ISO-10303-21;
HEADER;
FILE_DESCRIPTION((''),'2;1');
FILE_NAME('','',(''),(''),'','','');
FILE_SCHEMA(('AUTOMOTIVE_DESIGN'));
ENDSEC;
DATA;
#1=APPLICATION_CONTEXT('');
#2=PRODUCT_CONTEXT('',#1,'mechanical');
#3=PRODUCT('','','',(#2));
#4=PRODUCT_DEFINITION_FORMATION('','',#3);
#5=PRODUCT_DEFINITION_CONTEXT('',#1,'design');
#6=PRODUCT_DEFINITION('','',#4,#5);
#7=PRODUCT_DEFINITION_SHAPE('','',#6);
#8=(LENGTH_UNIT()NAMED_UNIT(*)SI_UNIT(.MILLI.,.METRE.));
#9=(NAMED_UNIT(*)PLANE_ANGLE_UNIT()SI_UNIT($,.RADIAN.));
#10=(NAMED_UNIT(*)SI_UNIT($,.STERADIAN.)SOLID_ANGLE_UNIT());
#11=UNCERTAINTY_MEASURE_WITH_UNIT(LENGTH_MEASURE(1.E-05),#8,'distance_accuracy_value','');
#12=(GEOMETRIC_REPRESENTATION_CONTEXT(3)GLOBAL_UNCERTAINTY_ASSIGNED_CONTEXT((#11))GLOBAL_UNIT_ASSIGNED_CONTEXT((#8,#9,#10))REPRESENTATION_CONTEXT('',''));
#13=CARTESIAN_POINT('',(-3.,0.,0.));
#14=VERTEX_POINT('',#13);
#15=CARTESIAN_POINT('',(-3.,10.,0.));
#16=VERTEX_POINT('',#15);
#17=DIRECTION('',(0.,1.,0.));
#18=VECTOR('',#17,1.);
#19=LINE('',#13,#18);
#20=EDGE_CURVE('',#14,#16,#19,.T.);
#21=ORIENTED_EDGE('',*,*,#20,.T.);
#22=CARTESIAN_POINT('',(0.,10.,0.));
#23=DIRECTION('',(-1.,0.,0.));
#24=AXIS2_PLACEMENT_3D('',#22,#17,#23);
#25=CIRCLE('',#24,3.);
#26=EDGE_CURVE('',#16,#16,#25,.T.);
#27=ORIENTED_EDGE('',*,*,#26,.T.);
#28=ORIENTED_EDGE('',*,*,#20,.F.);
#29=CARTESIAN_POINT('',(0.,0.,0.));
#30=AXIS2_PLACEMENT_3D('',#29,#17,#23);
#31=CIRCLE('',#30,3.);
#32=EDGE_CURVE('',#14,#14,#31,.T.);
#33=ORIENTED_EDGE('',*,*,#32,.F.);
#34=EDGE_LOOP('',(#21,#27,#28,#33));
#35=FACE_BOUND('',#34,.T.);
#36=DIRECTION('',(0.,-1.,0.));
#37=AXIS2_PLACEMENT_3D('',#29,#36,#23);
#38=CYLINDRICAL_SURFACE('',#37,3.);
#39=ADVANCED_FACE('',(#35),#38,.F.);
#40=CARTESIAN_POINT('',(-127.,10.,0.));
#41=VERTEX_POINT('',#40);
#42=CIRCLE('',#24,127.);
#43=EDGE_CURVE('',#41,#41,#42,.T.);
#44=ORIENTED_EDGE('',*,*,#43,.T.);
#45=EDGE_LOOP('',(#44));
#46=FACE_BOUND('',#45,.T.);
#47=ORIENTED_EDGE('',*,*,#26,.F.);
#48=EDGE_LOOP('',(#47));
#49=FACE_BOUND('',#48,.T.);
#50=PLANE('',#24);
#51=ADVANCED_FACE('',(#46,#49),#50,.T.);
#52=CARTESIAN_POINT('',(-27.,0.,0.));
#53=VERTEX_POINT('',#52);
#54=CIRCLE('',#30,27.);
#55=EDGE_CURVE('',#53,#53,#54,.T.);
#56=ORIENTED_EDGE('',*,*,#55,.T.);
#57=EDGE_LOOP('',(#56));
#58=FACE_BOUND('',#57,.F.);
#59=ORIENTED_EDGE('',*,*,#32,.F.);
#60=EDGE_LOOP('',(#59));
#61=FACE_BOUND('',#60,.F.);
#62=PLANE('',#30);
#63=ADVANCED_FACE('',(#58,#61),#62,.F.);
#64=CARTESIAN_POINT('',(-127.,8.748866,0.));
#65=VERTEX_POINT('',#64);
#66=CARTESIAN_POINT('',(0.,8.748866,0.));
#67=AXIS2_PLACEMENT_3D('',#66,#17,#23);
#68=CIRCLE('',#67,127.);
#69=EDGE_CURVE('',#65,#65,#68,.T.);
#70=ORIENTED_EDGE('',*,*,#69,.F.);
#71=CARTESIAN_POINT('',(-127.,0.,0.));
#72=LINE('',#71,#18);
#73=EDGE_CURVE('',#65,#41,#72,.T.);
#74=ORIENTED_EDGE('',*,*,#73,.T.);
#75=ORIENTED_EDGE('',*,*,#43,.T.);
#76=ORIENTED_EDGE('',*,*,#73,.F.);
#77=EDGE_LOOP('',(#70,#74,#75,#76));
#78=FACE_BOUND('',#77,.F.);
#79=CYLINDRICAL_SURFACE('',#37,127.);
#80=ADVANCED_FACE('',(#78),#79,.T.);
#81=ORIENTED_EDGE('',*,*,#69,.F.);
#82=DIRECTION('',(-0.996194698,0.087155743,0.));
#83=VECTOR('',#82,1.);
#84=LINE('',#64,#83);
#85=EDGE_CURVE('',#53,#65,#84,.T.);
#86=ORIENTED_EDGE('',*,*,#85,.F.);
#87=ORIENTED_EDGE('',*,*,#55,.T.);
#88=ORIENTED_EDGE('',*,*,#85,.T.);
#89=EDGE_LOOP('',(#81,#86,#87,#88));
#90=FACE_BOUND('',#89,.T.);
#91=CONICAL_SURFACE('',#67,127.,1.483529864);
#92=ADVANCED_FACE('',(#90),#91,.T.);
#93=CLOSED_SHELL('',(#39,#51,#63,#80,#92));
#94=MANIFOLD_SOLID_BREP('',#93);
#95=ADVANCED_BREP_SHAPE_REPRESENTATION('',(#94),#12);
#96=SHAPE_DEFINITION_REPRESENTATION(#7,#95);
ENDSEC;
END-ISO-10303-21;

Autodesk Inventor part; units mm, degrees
ref_plane "YZ Plane" through (0, 0, 0) normal (1, 0, 0) x (0, 1, 0)
ref_plane "XZ Plane" through (0, 0, 0) normal (0, 1, 0) x (-1, 0, 0)
ref_plane "XY Plane" through (0, 0, 0) normal (0, 0, 1) x (1, 0, 0)
sketch "Skizze1" plane through (0, 0, 0) normal (0, 1, 0) x (-1, 0, 0)
  circle A0 centre (0, 0) radius 3
  line L0 (-20, -4) -> (20, -4)
  line L1 (20, -4) -> (20, 4)
  line L2 (20, 4) -> (-20, 4)
  line L3 (-20, 4) -> (-20, -4)
  line L4 (-20, -4) -> (20, 4) construction
  line L5 (20, -4) -> (-20, 4) construction
  dimension "d0" = 6
  dimension "d1" = 40
  dimension "d2" = 8
extrude "Extrusion1" add sketch "Skizze1" along normal blind 10
sketch "Skizze2" plane through (0, 0, 0) normal (0, 1, 0) x (-1, 0, 0)
  circle A0 centre (0, 0) radius 127
  circle A1 centre (0, 0) radius 3 projected
  dimension "d6" = 254
extrude "Extrusion2" add sketch "Skizze2" along normal blind 10
chamfer "Fase1" distance 100 angle 5 1 edges at (127, 0, 0) measured on face at (84.8365, 0, -10.6241)
equation "\"G_L\" = 0"
equation "\"G_H\" = 0"
equation "\"G_B\" = 0"
properties part number "Props" material "GEDA Plexiglas"
